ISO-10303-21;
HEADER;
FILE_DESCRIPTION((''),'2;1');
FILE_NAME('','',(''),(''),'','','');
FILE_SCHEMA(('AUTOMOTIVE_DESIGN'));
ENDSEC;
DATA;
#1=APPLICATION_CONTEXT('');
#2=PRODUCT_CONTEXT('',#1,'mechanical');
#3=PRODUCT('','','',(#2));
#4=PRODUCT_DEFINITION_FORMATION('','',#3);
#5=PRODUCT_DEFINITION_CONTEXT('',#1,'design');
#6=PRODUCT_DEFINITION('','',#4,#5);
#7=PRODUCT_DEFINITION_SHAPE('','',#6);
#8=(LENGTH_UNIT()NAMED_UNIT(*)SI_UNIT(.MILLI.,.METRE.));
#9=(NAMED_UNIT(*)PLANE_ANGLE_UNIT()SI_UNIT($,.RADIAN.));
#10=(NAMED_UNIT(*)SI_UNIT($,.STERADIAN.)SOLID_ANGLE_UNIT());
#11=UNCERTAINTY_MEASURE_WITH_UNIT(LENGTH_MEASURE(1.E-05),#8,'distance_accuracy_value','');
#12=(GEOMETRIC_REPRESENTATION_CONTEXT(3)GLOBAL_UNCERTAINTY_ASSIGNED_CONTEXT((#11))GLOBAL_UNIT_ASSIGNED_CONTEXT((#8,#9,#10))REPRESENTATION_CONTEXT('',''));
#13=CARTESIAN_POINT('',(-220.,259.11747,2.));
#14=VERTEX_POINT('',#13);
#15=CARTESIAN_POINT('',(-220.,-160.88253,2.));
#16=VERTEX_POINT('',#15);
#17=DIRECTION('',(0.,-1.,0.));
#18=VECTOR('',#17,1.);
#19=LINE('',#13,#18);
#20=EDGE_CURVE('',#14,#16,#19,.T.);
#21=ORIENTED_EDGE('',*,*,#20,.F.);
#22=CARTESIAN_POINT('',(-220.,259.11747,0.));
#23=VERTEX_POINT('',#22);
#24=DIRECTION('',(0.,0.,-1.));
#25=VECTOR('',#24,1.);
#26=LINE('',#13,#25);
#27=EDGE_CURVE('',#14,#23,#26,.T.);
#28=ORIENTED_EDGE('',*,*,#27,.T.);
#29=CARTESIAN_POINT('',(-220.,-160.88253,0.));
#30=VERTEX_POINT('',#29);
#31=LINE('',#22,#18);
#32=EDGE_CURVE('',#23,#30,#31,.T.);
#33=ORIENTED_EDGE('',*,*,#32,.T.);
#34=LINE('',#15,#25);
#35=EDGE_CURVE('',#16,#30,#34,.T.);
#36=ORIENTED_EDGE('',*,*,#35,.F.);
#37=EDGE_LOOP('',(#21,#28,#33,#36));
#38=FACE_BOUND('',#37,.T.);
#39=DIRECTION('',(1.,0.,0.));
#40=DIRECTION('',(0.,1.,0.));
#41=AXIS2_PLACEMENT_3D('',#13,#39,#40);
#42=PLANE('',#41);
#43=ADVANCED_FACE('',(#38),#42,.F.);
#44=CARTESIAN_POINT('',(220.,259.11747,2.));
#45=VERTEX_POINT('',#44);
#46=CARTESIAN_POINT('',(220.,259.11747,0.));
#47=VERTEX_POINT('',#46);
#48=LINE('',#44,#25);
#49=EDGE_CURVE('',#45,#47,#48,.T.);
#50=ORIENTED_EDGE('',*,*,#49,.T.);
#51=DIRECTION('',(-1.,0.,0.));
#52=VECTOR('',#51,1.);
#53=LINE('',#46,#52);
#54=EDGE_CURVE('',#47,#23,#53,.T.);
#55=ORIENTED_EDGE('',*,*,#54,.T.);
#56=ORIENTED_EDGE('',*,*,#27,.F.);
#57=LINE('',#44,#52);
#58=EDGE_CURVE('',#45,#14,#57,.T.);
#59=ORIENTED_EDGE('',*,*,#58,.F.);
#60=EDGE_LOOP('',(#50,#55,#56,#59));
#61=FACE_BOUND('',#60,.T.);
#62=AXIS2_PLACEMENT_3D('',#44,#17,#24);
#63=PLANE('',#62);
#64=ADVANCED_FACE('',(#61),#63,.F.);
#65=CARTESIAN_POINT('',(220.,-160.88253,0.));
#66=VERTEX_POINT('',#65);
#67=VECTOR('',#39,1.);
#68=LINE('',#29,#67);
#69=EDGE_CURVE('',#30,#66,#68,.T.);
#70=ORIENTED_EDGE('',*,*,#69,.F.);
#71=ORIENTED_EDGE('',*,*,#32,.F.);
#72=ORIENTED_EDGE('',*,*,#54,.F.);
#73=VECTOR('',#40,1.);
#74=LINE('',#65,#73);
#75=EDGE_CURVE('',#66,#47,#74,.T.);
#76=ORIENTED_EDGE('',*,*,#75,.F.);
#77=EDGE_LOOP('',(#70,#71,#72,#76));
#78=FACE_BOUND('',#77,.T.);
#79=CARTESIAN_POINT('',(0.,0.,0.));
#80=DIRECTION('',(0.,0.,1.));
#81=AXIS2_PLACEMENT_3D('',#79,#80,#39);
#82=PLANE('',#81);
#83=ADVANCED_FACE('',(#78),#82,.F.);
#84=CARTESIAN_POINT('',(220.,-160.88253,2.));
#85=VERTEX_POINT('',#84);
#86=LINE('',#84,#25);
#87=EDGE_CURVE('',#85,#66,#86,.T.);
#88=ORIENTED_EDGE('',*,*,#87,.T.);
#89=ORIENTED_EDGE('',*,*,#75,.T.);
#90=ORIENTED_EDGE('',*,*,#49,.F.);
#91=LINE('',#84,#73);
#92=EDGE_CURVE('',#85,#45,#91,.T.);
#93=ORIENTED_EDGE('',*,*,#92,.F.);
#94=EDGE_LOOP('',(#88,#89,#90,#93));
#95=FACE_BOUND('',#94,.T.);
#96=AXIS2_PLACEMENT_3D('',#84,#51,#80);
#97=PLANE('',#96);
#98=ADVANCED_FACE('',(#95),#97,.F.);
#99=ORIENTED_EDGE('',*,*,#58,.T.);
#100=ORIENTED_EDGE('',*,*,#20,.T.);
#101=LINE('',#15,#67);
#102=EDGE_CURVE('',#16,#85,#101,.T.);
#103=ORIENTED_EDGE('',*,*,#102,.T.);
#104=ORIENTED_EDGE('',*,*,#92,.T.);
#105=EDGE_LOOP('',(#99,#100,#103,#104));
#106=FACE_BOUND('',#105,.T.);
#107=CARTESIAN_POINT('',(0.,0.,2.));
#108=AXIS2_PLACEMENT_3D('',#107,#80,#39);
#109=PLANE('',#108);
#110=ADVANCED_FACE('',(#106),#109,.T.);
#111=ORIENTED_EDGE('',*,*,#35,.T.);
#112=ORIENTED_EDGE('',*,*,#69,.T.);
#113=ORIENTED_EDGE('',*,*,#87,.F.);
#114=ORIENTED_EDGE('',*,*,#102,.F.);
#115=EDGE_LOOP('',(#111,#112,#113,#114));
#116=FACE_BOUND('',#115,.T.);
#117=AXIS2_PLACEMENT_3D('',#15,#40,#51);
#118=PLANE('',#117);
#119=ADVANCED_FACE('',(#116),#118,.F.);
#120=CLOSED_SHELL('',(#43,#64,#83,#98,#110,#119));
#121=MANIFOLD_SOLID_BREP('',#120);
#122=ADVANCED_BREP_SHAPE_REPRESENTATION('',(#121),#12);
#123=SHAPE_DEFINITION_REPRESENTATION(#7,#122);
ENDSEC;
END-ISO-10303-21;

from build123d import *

# Parameters (mm, degrees)
ESQUISSE1_W        = 440
ESQUISSE1_H        = 420
BOSS_EXTRU_1_DEPTH = 2


with BuildPart() as part:
    # Esquisse1 → Boss.-Extru.1 (new body)
    with BuildSketch(Plane.XY):
        with Locations((0, 49.117470254)):
            Rectangle(ESQUISSE1_W, ESQUISSE1_H)
    extrude(amount=BOSS_EXTRU_1_DEPTH)


solid = part.part
